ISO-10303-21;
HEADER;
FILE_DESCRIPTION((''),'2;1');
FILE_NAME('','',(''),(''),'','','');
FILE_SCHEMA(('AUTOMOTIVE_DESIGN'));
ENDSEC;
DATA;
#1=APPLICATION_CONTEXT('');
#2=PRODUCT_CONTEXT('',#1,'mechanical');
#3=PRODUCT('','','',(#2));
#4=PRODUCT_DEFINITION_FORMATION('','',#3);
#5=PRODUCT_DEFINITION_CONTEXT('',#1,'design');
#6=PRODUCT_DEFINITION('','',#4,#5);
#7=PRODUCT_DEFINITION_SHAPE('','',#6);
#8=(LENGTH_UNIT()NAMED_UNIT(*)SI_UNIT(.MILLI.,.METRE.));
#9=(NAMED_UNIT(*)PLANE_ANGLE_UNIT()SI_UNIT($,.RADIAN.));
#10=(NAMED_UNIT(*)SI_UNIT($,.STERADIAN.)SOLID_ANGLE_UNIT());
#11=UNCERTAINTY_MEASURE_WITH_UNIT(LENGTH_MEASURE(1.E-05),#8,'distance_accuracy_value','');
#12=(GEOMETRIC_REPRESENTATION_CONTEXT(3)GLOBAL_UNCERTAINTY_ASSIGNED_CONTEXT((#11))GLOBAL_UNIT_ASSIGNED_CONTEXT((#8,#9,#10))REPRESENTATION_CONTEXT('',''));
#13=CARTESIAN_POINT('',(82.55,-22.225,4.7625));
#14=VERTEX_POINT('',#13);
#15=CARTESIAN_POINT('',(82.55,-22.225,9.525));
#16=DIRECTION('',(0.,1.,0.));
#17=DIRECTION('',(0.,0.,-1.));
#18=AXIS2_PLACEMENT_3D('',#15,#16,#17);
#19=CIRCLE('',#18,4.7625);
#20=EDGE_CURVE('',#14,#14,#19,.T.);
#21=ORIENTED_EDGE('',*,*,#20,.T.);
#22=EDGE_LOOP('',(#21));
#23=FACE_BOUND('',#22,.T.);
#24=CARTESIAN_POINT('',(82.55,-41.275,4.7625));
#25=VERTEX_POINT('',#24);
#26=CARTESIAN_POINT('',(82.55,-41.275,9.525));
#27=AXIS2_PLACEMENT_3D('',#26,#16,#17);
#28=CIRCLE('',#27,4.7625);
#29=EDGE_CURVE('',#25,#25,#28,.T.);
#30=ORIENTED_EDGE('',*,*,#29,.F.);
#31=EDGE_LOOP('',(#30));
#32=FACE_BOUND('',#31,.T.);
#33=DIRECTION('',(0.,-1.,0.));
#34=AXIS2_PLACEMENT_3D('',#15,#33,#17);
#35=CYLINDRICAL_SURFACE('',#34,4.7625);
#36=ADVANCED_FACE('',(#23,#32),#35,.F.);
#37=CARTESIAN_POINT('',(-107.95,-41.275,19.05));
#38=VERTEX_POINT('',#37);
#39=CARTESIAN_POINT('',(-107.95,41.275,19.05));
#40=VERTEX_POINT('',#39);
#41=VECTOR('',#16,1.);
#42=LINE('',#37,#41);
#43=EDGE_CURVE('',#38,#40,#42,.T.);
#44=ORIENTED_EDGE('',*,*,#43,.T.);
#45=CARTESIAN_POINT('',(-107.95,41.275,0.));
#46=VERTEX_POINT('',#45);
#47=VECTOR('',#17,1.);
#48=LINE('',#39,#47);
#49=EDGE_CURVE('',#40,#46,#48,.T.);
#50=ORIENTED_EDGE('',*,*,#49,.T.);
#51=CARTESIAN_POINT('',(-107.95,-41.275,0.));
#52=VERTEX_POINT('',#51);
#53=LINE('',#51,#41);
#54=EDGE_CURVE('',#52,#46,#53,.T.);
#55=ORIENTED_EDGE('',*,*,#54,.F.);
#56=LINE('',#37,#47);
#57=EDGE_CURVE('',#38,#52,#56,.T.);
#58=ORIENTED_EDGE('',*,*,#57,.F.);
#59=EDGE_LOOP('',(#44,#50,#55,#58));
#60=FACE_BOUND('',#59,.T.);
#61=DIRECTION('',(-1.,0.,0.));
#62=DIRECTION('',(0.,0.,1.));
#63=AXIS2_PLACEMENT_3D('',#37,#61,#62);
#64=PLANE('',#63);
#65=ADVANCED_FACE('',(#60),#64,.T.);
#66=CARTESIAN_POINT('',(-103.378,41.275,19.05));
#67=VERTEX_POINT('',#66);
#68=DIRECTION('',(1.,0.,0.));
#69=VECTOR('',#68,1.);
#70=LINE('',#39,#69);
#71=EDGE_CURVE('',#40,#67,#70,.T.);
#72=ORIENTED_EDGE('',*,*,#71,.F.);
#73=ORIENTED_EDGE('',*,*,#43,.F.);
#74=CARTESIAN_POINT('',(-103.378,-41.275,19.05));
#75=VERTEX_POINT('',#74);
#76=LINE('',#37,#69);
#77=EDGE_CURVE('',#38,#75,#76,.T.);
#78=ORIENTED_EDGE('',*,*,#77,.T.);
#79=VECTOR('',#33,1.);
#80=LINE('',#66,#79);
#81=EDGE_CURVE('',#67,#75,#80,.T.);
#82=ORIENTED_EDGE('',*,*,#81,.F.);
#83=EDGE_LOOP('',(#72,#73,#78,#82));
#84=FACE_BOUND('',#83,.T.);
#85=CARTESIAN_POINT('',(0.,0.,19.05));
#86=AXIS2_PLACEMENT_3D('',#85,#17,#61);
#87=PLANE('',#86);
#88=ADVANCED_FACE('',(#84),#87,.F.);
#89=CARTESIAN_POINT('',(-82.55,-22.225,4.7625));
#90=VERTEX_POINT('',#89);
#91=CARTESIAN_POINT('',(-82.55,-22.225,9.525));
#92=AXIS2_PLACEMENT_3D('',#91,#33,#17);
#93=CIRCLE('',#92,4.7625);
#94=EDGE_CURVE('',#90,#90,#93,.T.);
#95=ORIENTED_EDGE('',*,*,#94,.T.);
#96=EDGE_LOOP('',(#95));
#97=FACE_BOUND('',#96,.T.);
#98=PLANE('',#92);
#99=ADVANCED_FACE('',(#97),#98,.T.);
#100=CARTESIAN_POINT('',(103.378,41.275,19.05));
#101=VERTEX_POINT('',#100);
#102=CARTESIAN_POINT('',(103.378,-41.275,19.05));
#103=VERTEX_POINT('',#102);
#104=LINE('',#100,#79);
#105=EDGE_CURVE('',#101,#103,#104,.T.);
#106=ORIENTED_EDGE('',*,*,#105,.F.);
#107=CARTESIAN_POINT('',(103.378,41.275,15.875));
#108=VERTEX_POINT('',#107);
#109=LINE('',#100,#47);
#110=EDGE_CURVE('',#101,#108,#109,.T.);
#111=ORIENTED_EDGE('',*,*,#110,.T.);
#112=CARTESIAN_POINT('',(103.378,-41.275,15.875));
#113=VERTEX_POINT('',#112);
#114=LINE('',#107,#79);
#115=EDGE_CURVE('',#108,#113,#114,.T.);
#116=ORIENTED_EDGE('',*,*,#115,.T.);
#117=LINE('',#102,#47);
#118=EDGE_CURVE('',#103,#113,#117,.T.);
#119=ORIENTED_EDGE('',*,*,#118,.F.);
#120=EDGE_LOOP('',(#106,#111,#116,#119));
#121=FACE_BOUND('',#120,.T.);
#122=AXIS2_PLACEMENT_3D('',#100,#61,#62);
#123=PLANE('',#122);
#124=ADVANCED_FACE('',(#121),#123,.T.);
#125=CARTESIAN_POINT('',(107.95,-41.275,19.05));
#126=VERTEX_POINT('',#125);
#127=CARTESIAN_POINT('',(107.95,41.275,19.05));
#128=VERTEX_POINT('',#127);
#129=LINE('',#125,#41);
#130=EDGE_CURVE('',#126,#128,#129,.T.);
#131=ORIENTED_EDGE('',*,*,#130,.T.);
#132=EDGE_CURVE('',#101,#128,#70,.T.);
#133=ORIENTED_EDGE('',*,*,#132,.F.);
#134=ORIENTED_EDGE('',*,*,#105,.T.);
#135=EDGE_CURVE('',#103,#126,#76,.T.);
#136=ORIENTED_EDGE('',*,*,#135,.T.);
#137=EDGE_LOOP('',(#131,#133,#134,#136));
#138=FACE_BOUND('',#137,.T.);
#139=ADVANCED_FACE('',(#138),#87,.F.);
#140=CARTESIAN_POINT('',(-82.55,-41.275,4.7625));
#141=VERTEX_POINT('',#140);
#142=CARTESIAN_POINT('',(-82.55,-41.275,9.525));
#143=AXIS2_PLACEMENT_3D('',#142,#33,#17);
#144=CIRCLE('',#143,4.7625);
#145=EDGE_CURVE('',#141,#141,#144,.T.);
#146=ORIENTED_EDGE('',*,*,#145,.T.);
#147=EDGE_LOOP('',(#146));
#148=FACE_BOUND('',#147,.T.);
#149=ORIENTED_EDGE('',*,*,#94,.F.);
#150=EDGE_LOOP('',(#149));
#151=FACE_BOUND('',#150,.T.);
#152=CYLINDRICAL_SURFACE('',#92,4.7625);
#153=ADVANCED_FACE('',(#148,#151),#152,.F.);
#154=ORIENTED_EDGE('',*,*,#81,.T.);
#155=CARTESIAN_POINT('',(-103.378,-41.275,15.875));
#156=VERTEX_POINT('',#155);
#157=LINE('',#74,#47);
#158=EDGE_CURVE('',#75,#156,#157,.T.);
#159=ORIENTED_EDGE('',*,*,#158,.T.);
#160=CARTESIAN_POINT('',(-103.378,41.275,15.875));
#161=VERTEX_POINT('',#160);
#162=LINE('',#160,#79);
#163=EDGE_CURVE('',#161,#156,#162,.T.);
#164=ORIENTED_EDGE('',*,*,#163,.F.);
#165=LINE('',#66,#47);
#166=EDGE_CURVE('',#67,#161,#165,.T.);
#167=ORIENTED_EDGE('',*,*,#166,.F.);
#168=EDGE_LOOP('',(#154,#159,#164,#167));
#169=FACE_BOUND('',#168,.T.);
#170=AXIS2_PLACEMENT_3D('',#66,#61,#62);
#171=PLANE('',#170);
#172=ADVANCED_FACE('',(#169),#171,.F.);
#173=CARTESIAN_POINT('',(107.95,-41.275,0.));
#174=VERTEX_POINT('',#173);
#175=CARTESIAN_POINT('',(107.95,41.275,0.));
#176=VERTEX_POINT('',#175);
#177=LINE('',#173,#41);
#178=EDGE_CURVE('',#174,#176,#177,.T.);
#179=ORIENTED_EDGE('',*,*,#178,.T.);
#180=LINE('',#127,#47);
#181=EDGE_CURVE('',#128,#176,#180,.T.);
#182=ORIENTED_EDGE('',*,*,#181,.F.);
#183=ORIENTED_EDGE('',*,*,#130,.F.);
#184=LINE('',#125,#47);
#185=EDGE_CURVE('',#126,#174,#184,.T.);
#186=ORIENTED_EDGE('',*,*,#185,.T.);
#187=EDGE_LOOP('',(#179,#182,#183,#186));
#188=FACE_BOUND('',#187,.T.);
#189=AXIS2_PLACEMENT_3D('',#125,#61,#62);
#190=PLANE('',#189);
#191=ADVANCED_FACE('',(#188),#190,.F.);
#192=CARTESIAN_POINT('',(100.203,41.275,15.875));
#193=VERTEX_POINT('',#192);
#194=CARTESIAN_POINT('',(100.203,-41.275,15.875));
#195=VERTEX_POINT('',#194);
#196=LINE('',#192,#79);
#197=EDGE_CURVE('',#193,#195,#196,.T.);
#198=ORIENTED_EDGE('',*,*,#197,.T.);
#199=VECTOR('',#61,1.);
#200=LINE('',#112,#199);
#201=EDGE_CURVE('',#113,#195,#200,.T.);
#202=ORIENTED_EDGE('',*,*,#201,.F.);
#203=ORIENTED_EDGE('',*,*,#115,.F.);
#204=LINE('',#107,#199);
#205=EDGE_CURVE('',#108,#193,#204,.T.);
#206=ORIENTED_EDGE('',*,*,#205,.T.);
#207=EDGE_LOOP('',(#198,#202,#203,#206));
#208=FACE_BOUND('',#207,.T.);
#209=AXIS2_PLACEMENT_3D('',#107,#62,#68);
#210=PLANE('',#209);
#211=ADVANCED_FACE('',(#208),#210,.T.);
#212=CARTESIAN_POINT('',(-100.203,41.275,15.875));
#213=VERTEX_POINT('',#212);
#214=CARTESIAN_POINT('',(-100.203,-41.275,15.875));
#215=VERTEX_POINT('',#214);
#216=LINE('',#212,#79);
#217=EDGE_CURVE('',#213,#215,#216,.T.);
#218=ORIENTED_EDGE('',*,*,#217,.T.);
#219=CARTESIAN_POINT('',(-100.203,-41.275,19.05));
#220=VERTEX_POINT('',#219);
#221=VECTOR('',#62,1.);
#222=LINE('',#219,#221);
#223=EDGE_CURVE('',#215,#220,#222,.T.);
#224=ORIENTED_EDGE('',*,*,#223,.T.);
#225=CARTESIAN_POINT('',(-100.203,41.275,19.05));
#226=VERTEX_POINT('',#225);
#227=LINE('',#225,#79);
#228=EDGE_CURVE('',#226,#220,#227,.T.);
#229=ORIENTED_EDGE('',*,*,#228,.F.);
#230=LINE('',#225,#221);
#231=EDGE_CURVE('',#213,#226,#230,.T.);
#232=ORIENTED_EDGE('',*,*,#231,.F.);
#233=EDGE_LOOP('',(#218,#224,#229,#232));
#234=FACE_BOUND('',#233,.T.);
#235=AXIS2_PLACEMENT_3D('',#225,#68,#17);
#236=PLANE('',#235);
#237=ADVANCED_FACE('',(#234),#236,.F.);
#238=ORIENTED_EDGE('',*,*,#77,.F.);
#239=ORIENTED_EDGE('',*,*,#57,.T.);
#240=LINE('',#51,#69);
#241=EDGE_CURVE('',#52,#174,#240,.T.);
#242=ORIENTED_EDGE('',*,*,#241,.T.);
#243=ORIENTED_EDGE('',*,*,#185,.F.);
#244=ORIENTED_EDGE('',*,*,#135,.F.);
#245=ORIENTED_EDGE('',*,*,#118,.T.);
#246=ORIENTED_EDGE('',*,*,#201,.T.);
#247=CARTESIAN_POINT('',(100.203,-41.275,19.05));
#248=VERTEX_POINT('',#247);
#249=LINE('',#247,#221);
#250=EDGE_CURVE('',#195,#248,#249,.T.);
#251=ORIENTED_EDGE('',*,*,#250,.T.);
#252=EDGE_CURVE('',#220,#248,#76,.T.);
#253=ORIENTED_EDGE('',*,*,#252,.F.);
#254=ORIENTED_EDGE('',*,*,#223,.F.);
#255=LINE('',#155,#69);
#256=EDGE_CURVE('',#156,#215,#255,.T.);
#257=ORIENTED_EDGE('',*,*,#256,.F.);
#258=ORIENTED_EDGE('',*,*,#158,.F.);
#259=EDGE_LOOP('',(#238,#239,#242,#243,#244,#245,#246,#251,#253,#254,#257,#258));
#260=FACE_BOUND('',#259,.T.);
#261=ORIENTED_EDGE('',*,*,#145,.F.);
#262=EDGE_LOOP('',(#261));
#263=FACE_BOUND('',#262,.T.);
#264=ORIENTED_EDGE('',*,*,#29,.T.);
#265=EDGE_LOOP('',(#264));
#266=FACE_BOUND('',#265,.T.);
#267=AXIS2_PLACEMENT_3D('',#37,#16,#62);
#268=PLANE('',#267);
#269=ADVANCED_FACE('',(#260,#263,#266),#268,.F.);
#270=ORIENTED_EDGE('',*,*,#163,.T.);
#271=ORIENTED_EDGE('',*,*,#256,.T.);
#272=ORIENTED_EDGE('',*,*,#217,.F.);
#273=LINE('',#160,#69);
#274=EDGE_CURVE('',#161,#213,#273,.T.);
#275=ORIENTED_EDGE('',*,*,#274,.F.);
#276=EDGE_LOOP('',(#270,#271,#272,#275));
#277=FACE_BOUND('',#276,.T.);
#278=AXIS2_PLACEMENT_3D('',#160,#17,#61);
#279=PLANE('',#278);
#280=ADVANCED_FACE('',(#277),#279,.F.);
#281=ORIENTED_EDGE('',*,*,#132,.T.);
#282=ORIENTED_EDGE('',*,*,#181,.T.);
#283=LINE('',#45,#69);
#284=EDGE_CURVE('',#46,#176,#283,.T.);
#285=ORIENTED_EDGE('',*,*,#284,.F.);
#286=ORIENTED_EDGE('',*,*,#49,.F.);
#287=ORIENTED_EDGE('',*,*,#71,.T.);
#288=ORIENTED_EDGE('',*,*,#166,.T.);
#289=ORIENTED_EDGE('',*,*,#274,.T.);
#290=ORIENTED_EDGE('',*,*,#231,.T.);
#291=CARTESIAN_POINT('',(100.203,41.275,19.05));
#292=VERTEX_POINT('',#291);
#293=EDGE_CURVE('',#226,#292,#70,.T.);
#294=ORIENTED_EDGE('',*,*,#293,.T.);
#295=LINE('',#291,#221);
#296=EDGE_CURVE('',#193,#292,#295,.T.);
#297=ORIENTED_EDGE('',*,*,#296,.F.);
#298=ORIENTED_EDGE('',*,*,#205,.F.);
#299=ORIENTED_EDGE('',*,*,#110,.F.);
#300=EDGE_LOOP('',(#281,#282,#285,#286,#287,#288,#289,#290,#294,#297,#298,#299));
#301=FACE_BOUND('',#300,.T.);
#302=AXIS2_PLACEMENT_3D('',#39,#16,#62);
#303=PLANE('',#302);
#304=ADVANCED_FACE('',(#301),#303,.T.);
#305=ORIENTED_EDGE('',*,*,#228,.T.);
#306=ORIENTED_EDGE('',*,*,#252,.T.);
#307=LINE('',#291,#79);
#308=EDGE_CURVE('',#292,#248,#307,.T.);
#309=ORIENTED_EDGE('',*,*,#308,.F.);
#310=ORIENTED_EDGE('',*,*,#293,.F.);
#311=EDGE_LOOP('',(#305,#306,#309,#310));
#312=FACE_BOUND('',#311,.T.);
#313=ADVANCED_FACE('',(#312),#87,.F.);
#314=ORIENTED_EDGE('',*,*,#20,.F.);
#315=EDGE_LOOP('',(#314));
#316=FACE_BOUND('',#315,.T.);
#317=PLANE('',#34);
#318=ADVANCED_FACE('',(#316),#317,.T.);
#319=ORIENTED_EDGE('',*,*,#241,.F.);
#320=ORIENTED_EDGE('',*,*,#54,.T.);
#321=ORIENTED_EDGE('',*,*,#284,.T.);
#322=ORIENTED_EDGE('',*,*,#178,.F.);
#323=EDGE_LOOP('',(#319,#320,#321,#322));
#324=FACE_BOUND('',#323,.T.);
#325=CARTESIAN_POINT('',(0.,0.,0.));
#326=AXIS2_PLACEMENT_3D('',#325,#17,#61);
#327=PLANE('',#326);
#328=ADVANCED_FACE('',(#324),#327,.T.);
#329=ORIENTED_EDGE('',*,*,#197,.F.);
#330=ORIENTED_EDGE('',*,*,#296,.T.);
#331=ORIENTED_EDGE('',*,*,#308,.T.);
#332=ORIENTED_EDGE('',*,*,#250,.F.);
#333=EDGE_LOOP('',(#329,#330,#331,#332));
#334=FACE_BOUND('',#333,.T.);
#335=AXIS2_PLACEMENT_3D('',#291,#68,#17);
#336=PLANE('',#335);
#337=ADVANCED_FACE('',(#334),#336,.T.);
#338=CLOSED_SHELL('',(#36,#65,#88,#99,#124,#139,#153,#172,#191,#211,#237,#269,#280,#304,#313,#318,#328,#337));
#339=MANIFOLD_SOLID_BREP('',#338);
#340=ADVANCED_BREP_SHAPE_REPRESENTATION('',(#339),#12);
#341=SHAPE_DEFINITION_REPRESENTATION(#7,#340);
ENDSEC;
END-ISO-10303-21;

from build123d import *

# Parameters (mm, degrees)
SKETCH1_W           = 215.9
SKETCH1_H           = 82.55
BOSS_EXTRUDE2_DEPTH = 19.05
SKETCH3_R           = 4.7625
CUT_EXTRUDE1_DEPTH  = 19.05
SKETCH5_W           = 3.175
SKETCH5_H           = 3.175
CUT_EXTRUDE2_DEPTH  = 83.55


with BuildPart() as part:
    # Sketch1 → Boss-Extrude2 (new body)
    with BuildSketch(Plane.XY):
        Rectangle(SKETCH1_W, SKETCH1_H)
    extrude(amount=BOSS_EXTRUDE2_DEPTH)

    # Sketch3 → Cut-Extrude1 (cut)
    with BuildSketch(Plane.XZ.offset(41.275)):
        with Locations((-82.55, 9.525)):
            Circle(SKETCH3_R)
    cut_extrude1 = extrude(amount=-CUT_EXTRUDE1_DEPTH, mode=Mode.SUBTRACT)

    # Sketch5 → Cut-Extrude2 (cut, through all)
    with BuildSketch(Plane.XZ.offset(41.275)):
        with Locations((-101.7905, 17.4625)):
            Rectangle(SKETCH5_W, SKETCH5_H)
    cut_extrude2 = extrude(amount=-CUT_EXTRUDE2_DEPTH, mode=Mode.SUBTRACT)

    # Mirror1: Cut-Extrude1, Cut-Extrude2 across plane
    add(cut_extrude1.mirror(Plane(origin=(0, 0, 0), x_dir=(0, 0, 1), z_dir=(1, 0, 0))), mode=Mode.SUBTRACT)
    add(cut_extrude2.mirror(Plane(origin=(0, 0, 0), x_dir=(0, 0, 1), z_dir=(1, 0, 0))), mode=Mode.SUBTRACT)


solid = part.part
